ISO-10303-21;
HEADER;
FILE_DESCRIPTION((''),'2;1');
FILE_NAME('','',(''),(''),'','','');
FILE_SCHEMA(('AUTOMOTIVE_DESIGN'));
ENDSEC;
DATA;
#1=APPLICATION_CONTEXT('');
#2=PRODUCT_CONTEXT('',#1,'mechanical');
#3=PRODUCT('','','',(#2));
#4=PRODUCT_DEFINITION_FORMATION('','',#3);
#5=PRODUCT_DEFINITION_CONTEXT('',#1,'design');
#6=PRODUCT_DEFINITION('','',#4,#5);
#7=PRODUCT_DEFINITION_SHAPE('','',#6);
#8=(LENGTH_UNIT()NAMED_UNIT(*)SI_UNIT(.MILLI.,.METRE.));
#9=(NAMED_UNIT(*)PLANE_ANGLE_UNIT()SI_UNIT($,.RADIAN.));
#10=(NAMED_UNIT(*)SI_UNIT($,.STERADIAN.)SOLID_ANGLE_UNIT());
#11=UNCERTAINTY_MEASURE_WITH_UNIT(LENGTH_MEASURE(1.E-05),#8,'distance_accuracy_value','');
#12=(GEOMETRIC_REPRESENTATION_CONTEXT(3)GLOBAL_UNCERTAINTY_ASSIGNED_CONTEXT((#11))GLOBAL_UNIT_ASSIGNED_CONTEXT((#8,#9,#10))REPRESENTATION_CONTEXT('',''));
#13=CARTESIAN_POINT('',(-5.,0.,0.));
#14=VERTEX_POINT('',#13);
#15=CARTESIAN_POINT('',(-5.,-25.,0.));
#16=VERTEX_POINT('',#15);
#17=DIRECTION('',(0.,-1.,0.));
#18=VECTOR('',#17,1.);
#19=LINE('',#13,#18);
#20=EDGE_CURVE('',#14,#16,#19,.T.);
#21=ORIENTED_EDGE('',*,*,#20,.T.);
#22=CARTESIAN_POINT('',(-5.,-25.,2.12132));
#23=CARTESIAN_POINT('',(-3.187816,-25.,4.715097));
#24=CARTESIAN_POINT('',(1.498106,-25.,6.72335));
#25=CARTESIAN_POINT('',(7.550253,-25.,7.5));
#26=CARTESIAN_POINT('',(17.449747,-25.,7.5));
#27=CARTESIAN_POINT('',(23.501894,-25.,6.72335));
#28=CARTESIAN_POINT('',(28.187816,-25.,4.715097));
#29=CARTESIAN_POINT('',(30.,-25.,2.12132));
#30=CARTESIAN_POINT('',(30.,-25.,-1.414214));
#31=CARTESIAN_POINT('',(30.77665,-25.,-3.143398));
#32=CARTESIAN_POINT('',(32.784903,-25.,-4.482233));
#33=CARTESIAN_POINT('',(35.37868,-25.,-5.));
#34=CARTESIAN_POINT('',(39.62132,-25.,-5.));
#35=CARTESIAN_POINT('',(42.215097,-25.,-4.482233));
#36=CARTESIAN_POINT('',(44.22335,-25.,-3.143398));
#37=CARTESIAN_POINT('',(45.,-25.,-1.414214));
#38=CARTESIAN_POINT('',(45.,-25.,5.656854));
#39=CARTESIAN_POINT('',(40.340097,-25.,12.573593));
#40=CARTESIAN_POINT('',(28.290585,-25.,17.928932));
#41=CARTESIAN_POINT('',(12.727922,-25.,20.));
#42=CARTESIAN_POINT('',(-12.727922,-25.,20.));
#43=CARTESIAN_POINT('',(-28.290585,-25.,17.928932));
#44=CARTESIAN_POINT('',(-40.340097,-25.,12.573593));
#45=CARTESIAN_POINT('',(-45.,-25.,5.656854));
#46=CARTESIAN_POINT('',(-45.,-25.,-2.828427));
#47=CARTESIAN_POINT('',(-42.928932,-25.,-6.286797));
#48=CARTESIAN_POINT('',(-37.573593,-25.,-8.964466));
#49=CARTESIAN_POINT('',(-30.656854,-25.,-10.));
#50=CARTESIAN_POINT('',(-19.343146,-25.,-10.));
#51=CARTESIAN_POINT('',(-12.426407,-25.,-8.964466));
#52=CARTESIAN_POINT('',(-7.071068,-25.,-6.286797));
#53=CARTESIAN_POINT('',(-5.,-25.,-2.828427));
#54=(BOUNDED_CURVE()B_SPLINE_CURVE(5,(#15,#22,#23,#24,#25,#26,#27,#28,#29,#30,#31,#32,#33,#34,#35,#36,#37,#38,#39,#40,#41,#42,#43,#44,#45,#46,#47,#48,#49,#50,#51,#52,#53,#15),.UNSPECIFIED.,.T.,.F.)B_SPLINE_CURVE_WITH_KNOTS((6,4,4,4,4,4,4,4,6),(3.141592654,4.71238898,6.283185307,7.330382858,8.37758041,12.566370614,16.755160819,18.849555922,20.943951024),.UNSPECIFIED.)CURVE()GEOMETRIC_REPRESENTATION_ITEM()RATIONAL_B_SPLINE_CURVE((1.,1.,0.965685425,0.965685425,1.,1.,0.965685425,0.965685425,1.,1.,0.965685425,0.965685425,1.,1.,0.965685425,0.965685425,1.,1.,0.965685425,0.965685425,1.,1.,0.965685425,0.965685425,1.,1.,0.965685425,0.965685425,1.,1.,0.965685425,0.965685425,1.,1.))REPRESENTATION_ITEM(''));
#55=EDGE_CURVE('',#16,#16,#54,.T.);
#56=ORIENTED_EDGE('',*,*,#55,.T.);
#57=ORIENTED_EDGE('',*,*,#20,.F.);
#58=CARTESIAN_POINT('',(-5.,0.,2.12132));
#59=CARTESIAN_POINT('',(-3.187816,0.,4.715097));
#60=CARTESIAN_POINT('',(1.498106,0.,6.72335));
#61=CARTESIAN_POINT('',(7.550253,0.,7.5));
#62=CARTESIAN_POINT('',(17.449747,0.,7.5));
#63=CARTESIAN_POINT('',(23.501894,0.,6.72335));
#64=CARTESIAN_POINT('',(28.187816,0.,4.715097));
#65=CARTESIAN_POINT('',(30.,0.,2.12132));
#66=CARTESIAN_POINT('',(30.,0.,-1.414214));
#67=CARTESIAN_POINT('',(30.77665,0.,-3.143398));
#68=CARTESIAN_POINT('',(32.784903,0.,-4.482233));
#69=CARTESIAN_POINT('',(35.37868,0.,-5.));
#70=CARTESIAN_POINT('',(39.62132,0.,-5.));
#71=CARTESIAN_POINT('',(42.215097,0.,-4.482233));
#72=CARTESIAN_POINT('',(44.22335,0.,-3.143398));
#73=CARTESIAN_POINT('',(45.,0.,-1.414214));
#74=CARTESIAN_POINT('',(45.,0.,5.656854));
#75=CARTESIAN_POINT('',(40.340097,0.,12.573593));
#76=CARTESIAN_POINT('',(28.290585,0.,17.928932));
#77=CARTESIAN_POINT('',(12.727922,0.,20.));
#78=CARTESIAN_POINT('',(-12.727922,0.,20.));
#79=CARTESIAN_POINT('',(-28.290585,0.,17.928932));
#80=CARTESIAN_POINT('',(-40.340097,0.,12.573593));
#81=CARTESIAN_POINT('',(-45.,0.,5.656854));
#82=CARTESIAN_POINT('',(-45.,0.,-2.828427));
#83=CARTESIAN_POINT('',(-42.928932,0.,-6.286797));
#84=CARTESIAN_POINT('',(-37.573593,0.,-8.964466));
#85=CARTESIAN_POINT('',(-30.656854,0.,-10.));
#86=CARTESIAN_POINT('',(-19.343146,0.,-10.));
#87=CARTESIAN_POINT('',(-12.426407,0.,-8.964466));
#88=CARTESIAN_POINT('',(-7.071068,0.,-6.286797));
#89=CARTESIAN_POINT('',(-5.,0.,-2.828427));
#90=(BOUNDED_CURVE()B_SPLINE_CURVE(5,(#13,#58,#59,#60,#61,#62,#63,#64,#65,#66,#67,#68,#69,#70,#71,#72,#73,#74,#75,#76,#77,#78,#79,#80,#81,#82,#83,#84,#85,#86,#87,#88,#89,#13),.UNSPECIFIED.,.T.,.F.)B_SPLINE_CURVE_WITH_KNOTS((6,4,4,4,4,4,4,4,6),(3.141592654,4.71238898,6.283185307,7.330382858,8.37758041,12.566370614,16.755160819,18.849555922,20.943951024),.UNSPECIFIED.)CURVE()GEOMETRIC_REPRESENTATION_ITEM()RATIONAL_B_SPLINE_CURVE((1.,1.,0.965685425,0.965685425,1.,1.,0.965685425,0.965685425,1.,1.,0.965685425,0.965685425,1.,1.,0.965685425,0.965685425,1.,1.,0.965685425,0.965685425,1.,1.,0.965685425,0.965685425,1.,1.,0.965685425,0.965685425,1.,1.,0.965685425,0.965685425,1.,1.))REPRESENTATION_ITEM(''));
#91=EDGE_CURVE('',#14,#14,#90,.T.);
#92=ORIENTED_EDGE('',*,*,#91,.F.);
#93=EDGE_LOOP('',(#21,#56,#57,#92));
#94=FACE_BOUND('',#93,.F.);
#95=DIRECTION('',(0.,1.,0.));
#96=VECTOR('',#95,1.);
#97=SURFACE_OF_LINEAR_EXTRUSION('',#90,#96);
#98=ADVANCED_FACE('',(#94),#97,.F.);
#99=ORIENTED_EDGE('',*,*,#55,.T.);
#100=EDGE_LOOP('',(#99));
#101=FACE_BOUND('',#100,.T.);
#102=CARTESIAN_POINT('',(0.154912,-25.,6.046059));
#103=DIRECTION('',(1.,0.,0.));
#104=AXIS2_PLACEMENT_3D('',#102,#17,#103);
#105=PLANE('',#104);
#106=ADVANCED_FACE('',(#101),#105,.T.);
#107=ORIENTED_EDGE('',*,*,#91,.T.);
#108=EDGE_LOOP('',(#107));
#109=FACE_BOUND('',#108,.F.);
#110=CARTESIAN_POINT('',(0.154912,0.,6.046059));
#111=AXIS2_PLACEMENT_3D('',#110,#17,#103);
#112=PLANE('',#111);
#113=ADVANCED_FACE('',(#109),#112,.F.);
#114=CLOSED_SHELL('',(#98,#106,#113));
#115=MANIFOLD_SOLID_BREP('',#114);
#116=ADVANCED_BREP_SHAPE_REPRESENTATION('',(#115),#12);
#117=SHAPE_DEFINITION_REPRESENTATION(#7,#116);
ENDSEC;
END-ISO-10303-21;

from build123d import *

# Parameters (mm, degrees)
F1_DEPTH = 25


with BuildPart() as f1:
    # F0 (on Front) → F1 (new body)
    with BuildSketch(Plane.XZ):
        with BuildLine():
            add(Edge.make_bspline(
                [(30, 0), (30, -5), (37.5, -5), (45, -5), (45, 0)],
                knots=[0, 0, 0, 1.5707963268, 1.5707963268, 3.1415926536, 3.1415926536, 3.1415926536], degree=2, weights=[1, 0.7071067812, 1, 0.7071067812, 1]))
            add(Edge.make_bspline(
                [(45, 0), (45, 20), (0, 20), (-45, 20), (-45, 0)],
                knots=[3.1415926536, 3.1415926536, 3.1415926536, 4.7123889804, 4.7123889804, 6.2831853072, 6.2831853072, 6.2831853072], degree=2, weights=[1, 0.7071067812, 1, 0.7071067812, 1]))
            add(Edge.make_bspline(
                [(-45, 0), (-45, -10), (-25, -10), (-5, -10), (-5, 0)],
                knots=[0, 0, 0, 1.5707963268, 1.5707963268, 3.1415926536, 3.1415926536, 3.1415926536], degree=2, weights=[1, 0.7071067812, 1, 0.7071067812, 1]))
            add(Edge.make_bspline(
                [(30, 0), (30, 7.5), (12.5, 7.5), (-5, 7.5), (-5, 0)],
                knots=[3.1415926536, 3.1415926536, 3.1415926536, 4.7123889804, 4.7123889804, 6.2831853072, 6.2831853072, 6.2831853072], degree=2, weights=[1, 0.7071067812, 1, 0.7071067812, 1]))
        make_face()
    extrude(amount=F1_DEPTH)


solid = f1.part
